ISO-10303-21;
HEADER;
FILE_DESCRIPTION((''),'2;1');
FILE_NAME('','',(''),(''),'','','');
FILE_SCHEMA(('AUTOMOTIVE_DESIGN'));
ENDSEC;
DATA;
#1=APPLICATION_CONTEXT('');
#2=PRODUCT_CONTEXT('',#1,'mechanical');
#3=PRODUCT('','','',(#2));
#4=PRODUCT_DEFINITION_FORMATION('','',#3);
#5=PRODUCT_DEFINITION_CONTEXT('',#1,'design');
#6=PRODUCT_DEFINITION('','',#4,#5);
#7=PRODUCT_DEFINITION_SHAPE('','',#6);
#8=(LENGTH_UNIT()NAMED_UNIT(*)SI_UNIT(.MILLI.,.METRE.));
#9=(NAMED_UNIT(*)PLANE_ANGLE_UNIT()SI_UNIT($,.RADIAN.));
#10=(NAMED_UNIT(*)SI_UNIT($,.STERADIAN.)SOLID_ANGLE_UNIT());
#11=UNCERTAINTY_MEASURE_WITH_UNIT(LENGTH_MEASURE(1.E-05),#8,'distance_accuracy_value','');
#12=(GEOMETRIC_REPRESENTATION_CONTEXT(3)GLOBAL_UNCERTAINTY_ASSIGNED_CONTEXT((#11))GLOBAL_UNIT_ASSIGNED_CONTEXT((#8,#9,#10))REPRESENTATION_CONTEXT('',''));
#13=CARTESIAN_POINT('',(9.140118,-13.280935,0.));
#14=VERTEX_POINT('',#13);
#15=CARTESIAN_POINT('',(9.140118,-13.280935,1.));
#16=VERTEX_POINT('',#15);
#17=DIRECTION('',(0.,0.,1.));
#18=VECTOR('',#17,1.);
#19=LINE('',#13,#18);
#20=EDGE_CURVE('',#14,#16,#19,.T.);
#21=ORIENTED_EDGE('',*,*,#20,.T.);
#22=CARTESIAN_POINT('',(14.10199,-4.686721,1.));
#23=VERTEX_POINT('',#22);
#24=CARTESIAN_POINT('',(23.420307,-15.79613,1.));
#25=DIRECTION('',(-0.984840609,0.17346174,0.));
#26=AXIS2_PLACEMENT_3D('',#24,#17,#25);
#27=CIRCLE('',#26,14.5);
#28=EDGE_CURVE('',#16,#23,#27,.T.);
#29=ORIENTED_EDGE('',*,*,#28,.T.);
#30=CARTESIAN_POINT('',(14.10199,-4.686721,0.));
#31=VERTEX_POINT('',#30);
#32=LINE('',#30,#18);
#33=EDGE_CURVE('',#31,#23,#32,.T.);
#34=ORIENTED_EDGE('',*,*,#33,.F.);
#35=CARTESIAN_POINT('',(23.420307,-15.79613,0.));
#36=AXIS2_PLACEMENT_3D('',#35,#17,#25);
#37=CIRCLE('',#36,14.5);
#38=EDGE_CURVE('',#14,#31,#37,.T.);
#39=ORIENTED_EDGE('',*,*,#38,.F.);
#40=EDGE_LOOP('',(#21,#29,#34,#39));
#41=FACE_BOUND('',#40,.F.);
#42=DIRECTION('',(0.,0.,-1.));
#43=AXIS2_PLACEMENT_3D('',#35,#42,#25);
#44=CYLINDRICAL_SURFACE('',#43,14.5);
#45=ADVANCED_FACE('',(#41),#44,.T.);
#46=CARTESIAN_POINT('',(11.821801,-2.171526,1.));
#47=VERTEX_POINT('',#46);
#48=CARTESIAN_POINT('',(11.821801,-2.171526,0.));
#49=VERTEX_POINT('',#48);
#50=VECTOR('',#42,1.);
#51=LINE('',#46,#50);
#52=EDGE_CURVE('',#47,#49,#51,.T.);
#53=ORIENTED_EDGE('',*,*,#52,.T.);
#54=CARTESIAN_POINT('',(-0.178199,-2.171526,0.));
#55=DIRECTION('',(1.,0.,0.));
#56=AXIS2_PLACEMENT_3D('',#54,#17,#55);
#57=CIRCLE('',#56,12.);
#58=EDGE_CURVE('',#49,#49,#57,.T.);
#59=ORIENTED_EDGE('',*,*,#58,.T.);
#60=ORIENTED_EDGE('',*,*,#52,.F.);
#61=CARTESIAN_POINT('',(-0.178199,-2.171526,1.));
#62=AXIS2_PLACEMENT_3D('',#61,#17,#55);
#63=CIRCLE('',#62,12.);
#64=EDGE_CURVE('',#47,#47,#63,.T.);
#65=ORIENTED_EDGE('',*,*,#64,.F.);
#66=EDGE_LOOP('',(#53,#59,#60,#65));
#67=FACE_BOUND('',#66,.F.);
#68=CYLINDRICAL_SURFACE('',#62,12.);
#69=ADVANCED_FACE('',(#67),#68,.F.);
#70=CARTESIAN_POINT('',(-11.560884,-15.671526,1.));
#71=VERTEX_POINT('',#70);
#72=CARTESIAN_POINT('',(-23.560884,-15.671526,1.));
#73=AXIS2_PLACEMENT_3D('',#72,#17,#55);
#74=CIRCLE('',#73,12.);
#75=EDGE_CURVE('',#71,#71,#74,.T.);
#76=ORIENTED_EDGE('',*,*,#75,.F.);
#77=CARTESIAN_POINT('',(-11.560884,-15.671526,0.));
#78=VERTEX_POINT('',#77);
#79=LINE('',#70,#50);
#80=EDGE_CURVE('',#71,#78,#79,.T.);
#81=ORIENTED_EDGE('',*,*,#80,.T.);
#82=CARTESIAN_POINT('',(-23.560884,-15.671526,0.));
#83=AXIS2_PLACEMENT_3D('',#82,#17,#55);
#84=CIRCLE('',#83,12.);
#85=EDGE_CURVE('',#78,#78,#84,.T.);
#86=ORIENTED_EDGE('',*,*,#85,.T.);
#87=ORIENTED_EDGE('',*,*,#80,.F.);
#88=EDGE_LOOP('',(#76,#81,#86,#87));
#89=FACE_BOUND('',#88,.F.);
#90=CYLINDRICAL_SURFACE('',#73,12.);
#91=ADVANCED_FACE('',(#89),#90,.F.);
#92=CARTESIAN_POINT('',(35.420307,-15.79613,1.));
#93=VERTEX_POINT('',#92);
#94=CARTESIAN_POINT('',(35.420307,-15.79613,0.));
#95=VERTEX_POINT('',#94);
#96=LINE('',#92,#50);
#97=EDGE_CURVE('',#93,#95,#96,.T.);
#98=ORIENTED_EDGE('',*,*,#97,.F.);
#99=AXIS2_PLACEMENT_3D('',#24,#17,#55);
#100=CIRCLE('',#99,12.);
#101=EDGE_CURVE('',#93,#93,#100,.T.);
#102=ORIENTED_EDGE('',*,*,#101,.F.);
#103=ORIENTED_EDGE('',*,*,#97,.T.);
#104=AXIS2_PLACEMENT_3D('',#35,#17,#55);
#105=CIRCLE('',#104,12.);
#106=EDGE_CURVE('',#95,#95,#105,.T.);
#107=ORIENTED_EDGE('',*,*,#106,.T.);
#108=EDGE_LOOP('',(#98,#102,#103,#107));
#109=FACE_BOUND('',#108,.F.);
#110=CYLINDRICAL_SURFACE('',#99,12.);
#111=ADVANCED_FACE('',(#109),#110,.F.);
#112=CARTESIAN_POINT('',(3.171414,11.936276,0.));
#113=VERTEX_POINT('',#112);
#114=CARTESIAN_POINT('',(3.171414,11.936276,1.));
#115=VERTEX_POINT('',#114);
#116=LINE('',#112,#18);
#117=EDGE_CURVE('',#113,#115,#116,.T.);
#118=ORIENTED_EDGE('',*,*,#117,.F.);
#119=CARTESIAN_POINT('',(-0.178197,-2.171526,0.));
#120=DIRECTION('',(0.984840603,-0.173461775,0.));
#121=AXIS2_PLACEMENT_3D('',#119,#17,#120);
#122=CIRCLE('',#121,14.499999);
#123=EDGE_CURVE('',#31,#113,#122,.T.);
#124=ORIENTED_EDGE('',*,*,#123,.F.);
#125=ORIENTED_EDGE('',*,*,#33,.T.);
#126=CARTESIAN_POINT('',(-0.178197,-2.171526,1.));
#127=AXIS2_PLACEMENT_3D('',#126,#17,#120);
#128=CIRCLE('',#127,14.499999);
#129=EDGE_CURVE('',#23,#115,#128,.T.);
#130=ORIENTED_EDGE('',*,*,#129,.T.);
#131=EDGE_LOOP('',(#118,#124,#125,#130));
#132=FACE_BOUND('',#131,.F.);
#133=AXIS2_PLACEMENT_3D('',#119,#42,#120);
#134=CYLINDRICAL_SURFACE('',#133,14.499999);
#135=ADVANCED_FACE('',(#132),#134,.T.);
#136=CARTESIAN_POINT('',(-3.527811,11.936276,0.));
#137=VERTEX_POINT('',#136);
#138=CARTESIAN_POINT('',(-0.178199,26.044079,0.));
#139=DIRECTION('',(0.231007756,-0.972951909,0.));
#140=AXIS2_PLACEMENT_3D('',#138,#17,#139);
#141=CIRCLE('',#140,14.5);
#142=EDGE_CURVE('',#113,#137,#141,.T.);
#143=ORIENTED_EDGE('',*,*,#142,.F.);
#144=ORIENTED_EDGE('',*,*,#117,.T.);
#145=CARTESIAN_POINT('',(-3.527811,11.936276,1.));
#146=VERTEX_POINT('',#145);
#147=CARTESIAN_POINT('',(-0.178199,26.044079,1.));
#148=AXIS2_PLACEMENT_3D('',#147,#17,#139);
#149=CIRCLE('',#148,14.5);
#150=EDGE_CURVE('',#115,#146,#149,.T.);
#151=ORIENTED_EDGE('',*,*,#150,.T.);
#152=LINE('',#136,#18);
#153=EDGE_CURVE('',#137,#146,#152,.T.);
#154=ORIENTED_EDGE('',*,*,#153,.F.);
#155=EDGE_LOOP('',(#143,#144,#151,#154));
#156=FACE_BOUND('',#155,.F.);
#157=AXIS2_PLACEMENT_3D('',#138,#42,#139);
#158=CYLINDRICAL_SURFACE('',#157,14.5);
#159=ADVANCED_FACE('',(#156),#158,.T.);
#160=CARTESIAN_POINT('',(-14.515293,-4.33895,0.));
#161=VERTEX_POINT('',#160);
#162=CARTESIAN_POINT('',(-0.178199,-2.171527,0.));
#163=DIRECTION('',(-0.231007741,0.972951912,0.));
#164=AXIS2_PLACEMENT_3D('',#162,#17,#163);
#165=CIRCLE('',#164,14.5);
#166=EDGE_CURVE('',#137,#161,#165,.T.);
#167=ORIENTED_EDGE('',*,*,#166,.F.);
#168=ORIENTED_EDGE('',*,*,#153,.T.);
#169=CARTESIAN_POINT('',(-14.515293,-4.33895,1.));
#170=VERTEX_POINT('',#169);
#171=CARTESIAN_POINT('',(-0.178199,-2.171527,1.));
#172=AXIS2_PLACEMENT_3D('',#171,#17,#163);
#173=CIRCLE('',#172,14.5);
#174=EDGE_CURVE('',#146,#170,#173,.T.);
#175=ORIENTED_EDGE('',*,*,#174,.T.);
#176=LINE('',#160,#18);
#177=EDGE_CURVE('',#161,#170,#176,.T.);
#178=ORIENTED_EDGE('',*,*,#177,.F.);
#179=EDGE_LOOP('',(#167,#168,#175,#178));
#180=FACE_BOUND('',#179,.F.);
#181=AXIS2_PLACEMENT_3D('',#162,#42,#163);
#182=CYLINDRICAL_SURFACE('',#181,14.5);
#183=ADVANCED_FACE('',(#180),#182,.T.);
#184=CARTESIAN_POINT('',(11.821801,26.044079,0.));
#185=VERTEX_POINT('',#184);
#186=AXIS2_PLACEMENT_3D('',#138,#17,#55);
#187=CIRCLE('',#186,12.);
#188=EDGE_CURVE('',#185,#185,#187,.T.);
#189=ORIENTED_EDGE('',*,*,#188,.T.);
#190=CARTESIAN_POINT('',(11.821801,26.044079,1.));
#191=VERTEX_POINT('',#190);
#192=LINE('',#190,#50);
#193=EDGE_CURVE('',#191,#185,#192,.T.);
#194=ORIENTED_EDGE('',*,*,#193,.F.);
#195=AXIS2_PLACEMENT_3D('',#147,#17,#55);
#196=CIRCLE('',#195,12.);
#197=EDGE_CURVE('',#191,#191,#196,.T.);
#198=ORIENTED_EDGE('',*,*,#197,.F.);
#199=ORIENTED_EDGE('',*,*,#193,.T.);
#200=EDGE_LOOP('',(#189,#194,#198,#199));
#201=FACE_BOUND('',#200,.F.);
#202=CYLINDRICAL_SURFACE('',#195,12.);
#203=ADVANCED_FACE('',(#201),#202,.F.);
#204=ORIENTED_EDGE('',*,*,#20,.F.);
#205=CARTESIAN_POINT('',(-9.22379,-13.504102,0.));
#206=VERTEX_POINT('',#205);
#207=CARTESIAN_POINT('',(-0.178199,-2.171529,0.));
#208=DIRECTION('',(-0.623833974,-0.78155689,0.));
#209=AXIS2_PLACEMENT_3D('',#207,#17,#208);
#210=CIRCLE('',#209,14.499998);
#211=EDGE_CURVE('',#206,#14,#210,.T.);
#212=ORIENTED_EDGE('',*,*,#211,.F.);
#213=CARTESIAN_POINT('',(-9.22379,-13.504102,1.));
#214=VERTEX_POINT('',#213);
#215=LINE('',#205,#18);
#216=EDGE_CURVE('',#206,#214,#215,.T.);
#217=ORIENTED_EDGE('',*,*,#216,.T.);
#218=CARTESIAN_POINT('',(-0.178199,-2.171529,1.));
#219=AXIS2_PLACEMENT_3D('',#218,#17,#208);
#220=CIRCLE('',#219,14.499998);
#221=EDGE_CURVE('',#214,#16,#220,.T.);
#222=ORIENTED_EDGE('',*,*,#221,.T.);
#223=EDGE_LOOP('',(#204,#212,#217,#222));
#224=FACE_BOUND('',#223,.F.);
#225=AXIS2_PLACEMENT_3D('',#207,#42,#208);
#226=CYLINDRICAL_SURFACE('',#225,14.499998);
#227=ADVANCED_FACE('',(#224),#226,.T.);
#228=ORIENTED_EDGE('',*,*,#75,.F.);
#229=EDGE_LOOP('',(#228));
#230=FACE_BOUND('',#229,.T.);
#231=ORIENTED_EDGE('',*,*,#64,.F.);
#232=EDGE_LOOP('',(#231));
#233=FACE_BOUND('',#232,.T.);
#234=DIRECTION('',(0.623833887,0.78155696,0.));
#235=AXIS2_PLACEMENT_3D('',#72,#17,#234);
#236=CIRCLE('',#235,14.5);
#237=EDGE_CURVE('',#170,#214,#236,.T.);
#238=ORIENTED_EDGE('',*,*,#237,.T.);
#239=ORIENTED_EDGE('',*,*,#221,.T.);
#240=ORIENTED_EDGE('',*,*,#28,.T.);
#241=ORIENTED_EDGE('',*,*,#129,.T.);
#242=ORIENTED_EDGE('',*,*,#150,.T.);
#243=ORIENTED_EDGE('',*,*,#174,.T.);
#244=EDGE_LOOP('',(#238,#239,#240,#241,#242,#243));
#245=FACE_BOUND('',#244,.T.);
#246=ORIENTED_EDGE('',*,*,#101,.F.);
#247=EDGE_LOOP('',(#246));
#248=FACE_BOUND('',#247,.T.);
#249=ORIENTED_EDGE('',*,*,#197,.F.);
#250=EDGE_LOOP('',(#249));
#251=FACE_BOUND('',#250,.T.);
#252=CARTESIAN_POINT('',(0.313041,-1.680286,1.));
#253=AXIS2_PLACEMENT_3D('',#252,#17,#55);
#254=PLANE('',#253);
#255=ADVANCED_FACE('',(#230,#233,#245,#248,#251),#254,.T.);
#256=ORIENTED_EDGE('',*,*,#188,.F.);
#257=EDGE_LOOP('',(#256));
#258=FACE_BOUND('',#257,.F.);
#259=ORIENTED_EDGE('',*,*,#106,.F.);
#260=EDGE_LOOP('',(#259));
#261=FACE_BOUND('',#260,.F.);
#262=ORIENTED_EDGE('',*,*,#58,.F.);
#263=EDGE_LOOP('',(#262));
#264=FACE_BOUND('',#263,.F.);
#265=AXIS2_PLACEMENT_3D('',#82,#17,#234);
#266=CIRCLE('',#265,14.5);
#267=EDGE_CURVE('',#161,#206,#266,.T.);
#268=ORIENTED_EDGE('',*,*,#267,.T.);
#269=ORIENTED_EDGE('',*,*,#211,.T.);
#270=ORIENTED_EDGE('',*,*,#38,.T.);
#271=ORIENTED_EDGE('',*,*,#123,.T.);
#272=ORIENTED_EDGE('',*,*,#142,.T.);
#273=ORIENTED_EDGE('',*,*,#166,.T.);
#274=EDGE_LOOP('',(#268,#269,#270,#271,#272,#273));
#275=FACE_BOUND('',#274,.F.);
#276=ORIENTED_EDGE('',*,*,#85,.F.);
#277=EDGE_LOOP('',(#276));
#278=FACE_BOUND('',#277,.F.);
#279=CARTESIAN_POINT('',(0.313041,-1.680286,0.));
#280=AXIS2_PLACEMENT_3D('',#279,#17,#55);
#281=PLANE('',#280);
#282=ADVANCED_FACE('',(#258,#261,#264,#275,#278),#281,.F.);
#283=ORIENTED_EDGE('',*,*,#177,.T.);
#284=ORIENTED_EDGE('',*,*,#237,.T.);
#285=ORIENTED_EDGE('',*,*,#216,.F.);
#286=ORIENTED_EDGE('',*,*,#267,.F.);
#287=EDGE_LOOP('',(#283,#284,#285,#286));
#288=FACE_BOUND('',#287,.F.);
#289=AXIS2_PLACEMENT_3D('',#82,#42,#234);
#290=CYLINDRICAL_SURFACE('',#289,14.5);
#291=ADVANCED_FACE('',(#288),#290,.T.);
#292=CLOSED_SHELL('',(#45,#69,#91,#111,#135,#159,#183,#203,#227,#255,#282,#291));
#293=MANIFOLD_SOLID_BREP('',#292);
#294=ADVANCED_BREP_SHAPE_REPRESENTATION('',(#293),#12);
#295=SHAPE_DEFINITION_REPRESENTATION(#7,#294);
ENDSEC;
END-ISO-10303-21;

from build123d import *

# Parameters (mm, degrees)
F0_R     = 11
F1_DEPTH = 1
F2_R     = 12
F3_DEPTH = 25


with BuildPart() as f1:
    # F0 (on Top) → F1 (new body)
    with BuildSketch(Plane.XY):
        with BuildLine():
            ThreePointArc((-0.178199, 8.828474), (-7.956373, -9.949701), (10.821801, -2.171526))
            ThreePointArc((10.821801, -2.171526), (7.599976, 5.606648), (-0.178199, 8.828474))
        make_face()
        with BuildLine():
            ThreePointArc((-14.515293, -4.33895), (-36.118253, -22.921526), (-9.22379, -13.504102))
            ThreePointArc((-9.22379, -13.504102), (-0.002001, -16.670456), (9.140118, -13.280935))
            ThreePointArc((9.140118, -13.280935), (35.977676, -23.04613), (14.10199, -4.686721))
            ThreePointArc((14.10199, -4.686721), (11.937225, 5.795061), (3.171414, 11.936276))
            ThreePointArc((3.171414, 11.936276), (-0.178199, 40.544079), (-3.527811, 11.936276))
            ThreePointArc((-3.527811, 11.936276), (-12.195921, 5.941694), (-14.515293, -4.33895))
        make_face()
        with Locations((-23.560884, -15.671526)):
            Circle(F0_R, mode=Mode.SUBTRACT)
        with BuildLine():
            ThreePointArc((-0.178199, 8.828474), (7.599976, 5.606648), (10.821801, -2.171526))
            ThreePointArc((10.821801, -2.171526), (-7.956373, -9.949701), (-0.178199, 8.828474))
        make_face(mode=Mode.SUBTRACT)
        with Locations((23.420307, -15.79613)):
            Circle(F0_R, mode=Mode.SUBTRACT)
        with BuildLine():
            ThreePointArc((-0.178199, 15.044079), (-7.956373, 33.822254), (10.821801, 26.044079))
            ThreePointArc((10.821801, 26.044079), (7.599976, 18.265904), (-0.178199, 15.044079))
        make_face(mode=Mode.SUBTRACT)
    extrude(amount=F1_DEPTH)

    # F2 (on face) → F3 (cut)
    with BuildSketch(Plane.XY.offset(1)):
        with Locations((-0.178199, 26.044079)):
            Circle(F2_R)
        with Locations((-0.178199, -2.171526)):
            Circle(F2_R)
        with Locations((23.420307, -15.79613)):
            Circle(F2_R)
        with Locations((-23.560884, -15.671526)):
            Circle(F2_R)
    extrude(amount=-F3_DEPTH, mode=Mode.SUBTRACT)


solid = f1.part
